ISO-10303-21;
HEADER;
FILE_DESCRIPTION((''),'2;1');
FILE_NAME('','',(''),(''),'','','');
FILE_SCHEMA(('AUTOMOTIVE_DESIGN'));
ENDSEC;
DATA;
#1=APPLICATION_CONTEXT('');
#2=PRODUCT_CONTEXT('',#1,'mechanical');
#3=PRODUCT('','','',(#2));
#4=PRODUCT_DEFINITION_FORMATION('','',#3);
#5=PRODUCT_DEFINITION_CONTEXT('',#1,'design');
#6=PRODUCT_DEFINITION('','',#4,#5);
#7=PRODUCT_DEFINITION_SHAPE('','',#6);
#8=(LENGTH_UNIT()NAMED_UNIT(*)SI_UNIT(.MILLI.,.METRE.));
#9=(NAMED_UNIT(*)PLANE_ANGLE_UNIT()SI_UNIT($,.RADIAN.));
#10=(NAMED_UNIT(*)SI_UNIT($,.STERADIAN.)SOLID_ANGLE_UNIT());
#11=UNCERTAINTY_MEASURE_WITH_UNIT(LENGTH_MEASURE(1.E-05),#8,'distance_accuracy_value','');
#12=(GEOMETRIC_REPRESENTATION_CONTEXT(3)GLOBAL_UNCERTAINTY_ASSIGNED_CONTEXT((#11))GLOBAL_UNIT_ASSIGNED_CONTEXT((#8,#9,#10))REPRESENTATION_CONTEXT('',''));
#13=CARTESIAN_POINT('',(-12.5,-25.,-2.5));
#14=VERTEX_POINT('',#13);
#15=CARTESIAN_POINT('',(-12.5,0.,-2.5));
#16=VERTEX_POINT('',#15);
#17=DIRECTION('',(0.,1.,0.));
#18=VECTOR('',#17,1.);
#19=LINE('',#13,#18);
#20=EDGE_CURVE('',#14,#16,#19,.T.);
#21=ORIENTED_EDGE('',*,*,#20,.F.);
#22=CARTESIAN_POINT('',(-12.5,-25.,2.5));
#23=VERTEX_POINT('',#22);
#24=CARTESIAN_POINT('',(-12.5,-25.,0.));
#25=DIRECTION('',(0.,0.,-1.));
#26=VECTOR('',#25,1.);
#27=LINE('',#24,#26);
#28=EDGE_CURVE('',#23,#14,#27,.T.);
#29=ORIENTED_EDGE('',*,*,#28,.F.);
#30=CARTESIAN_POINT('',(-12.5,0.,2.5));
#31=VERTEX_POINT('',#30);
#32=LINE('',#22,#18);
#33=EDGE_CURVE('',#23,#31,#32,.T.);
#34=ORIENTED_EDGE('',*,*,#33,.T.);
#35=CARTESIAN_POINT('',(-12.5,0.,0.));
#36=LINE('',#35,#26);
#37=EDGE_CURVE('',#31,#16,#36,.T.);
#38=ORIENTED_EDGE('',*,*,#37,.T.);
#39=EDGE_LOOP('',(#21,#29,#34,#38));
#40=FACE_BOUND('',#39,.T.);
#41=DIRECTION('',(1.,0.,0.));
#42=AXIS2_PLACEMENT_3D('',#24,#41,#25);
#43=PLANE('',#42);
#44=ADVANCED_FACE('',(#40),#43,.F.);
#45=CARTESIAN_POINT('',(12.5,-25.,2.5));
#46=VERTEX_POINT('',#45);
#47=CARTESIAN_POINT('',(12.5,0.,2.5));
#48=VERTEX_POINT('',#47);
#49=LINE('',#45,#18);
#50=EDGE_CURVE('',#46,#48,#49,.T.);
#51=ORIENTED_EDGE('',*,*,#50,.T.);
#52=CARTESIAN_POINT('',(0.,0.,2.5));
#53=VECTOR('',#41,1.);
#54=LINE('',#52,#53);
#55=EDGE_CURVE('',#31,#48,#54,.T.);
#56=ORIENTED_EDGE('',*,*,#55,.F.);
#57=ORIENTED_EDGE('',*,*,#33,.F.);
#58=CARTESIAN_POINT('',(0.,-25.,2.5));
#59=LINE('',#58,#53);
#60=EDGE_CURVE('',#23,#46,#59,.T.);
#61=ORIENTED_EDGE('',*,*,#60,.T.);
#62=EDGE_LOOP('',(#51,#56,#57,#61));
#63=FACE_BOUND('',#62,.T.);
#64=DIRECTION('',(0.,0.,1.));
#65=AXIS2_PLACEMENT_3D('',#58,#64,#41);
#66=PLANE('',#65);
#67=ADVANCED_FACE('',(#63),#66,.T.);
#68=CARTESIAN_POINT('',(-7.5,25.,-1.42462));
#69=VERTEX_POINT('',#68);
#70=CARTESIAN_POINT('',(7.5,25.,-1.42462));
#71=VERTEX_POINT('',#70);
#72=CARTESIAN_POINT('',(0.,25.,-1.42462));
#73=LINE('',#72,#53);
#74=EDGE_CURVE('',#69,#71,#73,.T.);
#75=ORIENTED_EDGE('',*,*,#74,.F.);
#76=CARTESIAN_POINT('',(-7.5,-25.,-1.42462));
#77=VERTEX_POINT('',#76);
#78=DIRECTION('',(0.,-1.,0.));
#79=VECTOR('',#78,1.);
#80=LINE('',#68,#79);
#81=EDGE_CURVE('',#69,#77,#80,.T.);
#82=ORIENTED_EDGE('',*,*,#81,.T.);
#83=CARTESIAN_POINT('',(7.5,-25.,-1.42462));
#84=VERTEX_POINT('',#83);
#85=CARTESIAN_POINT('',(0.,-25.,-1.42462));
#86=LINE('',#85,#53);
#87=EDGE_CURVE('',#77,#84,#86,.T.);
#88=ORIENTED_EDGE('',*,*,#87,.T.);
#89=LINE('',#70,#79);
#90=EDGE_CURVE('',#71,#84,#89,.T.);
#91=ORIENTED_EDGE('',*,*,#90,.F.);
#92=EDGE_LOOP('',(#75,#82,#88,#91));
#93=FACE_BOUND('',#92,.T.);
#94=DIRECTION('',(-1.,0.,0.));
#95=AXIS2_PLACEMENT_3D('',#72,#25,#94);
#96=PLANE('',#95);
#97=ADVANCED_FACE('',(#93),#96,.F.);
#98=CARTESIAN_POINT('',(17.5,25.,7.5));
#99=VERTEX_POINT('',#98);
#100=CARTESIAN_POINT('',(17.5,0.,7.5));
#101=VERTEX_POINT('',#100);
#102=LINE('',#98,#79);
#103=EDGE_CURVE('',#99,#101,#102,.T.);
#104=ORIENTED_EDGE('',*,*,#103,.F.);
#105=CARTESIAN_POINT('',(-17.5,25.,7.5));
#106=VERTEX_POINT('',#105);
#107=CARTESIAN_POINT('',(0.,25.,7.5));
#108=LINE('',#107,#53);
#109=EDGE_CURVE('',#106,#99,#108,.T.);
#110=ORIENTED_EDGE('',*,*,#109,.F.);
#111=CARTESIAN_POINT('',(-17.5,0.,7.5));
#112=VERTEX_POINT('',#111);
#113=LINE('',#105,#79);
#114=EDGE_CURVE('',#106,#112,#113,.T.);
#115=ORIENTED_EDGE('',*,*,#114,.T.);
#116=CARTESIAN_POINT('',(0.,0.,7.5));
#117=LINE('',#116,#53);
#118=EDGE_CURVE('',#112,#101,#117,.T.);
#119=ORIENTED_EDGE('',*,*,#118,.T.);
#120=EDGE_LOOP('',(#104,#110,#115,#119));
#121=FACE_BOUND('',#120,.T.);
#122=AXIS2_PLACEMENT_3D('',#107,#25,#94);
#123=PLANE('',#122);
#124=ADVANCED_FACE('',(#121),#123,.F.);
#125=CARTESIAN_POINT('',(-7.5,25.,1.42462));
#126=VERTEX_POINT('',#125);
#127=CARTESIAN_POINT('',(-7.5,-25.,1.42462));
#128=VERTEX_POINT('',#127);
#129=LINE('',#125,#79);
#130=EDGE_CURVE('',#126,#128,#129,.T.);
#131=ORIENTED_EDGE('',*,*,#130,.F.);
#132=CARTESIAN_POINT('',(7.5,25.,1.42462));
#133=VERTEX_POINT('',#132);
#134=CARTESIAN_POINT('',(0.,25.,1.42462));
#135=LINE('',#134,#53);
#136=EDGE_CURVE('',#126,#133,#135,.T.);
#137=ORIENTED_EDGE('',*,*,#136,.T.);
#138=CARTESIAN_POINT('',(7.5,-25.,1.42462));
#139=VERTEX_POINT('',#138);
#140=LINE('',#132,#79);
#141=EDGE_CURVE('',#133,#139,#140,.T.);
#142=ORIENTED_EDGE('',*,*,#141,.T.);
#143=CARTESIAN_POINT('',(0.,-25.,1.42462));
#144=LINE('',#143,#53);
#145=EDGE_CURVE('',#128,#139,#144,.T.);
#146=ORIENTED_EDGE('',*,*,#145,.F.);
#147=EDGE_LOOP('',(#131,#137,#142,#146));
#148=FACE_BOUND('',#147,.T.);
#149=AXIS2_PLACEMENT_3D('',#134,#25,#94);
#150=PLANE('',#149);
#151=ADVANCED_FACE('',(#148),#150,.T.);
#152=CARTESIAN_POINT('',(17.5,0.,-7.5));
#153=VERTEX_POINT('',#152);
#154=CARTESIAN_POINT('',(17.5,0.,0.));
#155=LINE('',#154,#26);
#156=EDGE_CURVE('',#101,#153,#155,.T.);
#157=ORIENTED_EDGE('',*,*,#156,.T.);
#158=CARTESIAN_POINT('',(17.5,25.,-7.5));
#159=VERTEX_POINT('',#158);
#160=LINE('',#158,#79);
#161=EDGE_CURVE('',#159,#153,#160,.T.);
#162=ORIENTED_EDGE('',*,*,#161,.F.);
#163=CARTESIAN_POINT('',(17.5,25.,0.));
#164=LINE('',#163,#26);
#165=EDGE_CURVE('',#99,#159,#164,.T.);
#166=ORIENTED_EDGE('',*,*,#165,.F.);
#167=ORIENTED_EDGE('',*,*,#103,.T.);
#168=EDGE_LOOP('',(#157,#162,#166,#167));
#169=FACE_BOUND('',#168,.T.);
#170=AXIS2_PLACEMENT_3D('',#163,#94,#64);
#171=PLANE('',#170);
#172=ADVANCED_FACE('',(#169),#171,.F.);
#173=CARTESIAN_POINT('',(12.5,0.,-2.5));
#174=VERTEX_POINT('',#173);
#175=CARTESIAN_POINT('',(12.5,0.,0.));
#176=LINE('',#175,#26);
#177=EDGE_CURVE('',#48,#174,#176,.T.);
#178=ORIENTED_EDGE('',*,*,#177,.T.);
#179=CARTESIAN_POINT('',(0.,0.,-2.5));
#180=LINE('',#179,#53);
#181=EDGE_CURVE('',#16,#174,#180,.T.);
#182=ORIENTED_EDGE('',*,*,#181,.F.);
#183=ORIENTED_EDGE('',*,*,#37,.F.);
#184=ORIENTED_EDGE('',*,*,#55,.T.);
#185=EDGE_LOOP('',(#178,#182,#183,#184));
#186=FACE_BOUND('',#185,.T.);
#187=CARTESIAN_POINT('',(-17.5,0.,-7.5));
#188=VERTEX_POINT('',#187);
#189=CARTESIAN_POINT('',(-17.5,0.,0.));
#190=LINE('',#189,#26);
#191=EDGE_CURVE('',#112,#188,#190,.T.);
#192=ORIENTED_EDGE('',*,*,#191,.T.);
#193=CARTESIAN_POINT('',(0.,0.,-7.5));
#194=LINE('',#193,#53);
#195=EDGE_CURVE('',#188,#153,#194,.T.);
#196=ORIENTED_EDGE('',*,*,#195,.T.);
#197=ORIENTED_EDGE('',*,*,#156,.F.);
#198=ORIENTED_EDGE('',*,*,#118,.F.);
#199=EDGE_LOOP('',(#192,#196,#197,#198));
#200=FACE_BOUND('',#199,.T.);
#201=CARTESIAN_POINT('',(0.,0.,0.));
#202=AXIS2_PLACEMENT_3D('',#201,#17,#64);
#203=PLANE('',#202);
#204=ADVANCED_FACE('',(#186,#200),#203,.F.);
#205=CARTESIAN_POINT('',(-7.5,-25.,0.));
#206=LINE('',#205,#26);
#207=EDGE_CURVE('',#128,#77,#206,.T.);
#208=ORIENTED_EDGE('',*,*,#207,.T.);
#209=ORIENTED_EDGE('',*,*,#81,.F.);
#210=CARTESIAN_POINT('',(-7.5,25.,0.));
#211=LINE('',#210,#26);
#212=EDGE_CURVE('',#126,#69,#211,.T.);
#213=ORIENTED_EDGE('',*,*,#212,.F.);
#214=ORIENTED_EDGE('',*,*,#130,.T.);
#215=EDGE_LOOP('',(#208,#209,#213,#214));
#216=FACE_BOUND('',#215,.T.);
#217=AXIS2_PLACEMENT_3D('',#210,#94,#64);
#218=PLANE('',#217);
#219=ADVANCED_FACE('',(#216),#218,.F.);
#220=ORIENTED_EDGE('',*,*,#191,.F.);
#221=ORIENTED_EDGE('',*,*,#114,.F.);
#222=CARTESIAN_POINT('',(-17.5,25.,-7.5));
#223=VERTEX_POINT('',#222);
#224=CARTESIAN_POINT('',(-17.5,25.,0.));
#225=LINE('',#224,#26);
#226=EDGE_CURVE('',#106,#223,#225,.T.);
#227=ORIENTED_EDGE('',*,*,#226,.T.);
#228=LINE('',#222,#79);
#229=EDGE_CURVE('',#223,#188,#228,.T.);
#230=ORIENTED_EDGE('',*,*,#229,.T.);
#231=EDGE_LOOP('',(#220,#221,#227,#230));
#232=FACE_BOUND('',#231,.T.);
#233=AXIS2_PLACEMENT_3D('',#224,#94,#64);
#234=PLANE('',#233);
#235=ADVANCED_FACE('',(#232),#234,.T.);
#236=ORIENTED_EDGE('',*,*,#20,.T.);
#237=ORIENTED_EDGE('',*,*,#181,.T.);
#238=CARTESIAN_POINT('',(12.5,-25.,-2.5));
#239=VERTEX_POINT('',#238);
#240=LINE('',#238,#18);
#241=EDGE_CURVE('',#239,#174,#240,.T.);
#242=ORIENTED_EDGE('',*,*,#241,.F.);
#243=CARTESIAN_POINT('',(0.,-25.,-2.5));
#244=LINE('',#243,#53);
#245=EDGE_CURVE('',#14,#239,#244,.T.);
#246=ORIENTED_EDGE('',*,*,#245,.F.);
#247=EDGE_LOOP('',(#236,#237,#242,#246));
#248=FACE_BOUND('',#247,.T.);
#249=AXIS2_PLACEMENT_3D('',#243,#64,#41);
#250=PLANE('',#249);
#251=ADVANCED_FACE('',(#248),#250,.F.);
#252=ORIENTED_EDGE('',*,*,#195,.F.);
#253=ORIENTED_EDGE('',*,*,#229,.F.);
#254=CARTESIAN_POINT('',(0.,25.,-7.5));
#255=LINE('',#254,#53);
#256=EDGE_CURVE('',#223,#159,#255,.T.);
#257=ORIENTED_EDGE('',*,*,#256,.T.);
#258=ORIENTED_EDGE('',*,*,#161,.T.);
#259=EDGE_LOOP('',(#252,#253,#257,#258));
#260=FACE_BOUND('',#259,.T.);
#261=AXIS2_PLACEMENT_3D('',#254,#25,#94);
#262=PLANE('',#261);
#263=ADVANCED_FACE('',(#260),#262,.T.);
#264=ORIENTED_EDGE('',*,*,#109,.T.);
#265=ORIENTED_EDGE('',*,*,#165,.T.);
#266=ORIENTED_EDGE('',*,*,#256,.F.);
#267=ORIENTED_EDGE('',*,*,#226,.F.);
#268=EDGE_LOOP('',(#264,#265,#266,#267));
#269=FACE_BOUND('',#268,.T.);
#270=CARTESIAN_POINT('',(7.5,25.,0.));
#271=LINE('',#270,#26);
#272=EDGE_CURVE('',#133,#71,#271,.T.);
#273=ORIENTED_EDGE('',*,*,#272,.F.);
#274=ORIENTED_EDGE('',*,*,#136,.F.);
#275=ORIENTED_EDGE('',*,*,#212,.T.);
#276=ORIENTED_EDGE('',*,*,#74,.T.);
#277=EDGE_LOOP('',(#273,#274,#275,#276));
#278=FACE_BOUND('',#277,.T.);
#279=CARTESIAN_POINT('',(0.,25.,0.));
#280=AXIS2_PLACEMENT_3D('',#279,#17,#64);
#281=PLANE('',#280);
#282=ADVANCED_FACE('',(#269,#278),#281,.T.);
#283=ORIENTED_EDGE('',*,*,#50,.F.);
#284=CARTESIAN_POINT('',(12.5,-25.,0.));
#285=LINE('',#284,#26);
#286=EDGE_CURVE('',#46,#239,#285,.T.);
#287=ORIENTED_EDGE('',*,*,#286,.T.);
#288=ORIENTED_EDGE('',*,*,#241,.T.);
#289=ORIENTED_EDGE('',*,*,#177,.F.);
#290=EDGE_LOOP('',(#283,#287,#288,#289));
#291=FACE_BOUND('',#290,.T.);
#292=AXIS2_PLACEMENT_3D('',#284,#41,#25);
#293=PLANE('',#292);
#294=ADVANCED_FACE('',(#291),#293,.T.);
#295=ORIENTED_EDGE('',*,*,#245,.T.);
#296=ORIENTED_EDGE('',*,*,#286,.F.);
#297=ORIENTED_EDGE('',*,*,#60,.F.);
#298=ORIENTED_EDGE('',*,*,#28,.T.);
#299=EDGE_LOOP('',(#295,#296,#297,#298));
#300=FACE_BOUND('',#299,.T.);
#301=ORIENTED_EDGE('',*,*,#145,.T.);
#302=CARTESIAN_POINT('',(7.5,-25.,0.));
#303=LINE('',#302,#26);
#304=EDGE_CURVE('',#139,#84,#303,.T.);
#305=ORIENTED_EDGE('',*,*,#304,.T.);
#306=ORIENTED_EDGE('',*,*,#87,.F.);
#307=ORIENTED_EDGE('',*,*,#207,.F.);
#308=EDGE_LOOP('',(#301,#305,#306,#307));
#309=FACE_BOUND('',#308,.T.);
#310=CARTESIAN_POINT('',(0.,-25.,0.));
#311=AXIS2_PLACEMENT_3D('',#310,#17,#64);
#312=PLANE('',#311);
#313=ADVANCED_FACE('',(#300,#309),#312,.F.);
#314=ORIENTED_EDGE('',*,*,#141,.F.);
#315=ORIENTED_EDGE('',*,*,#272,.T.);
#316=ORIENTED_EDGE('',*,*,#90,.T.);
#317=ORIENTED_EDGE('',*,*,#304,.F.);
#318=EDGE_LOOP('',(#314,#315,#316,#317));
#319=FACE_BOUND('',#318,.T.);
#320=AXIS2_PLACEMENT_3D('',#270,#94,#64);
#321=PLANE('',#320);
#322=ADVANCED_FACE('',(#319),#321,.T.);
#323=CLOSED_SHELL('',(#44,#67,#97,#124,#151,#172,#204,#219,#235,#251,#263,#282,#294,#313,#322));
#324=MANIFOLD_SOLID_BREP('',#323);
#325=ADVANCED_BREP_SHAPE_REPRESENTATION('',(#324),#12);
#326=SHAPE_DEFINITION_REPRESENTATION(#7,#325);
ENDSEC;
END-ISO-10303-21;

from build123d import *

# Parameters (mm, degrees)
SKETCH1_W           = 35
SKETCH1_H           = 15
SKETCH1_W_2         = 15
SKETCH1_H_2         = 2.849239826
BOSS_EXTRUDE1_DEPTH = 25
SKETCH1_3_W         = 25
SKETCH1_3_H         = 5
SKETCH1_3_W_2       = 15
SKETCH1_3_H_2       = 2.849239826
BOSS_EXTRUDE2_DEPTH = 25


with BuildPart() as part:
    # Sketch1 → Boss-Extrude1 (new body)
    with BuildSketch(Plane(origin=(0, 0, 0), x_dir=(1, 0, 0), z_dir=(0, 1, 0))):
        Rectangle(SKETCH1_W, SKETCH1_H)
        Rectangle(SKETCH1_W_2, SKETCH1_H_2, mode=Mode.SUBTRACT)
    extrude(amount=BOSS_EXTRUDE1_DEPTH)

    # Sketch1<3> → Boss-Extrude2 (add)
    with BuildSketch(Plane(origin=(0, 0, 0), x_dir=(1, 0, 0), z_dir=(0, 1, 0))):
        Rectangle(SKETCH1_3_W, SKETCH1_3_H)
        Rectangle(SKETCH1_3_W_2, SKETCH1_3_H_2, mode=Mode.SUBTRACT)
    extrude(amount=-BOSS_EXTRUDE2_DEPTH)


solid = part.part
